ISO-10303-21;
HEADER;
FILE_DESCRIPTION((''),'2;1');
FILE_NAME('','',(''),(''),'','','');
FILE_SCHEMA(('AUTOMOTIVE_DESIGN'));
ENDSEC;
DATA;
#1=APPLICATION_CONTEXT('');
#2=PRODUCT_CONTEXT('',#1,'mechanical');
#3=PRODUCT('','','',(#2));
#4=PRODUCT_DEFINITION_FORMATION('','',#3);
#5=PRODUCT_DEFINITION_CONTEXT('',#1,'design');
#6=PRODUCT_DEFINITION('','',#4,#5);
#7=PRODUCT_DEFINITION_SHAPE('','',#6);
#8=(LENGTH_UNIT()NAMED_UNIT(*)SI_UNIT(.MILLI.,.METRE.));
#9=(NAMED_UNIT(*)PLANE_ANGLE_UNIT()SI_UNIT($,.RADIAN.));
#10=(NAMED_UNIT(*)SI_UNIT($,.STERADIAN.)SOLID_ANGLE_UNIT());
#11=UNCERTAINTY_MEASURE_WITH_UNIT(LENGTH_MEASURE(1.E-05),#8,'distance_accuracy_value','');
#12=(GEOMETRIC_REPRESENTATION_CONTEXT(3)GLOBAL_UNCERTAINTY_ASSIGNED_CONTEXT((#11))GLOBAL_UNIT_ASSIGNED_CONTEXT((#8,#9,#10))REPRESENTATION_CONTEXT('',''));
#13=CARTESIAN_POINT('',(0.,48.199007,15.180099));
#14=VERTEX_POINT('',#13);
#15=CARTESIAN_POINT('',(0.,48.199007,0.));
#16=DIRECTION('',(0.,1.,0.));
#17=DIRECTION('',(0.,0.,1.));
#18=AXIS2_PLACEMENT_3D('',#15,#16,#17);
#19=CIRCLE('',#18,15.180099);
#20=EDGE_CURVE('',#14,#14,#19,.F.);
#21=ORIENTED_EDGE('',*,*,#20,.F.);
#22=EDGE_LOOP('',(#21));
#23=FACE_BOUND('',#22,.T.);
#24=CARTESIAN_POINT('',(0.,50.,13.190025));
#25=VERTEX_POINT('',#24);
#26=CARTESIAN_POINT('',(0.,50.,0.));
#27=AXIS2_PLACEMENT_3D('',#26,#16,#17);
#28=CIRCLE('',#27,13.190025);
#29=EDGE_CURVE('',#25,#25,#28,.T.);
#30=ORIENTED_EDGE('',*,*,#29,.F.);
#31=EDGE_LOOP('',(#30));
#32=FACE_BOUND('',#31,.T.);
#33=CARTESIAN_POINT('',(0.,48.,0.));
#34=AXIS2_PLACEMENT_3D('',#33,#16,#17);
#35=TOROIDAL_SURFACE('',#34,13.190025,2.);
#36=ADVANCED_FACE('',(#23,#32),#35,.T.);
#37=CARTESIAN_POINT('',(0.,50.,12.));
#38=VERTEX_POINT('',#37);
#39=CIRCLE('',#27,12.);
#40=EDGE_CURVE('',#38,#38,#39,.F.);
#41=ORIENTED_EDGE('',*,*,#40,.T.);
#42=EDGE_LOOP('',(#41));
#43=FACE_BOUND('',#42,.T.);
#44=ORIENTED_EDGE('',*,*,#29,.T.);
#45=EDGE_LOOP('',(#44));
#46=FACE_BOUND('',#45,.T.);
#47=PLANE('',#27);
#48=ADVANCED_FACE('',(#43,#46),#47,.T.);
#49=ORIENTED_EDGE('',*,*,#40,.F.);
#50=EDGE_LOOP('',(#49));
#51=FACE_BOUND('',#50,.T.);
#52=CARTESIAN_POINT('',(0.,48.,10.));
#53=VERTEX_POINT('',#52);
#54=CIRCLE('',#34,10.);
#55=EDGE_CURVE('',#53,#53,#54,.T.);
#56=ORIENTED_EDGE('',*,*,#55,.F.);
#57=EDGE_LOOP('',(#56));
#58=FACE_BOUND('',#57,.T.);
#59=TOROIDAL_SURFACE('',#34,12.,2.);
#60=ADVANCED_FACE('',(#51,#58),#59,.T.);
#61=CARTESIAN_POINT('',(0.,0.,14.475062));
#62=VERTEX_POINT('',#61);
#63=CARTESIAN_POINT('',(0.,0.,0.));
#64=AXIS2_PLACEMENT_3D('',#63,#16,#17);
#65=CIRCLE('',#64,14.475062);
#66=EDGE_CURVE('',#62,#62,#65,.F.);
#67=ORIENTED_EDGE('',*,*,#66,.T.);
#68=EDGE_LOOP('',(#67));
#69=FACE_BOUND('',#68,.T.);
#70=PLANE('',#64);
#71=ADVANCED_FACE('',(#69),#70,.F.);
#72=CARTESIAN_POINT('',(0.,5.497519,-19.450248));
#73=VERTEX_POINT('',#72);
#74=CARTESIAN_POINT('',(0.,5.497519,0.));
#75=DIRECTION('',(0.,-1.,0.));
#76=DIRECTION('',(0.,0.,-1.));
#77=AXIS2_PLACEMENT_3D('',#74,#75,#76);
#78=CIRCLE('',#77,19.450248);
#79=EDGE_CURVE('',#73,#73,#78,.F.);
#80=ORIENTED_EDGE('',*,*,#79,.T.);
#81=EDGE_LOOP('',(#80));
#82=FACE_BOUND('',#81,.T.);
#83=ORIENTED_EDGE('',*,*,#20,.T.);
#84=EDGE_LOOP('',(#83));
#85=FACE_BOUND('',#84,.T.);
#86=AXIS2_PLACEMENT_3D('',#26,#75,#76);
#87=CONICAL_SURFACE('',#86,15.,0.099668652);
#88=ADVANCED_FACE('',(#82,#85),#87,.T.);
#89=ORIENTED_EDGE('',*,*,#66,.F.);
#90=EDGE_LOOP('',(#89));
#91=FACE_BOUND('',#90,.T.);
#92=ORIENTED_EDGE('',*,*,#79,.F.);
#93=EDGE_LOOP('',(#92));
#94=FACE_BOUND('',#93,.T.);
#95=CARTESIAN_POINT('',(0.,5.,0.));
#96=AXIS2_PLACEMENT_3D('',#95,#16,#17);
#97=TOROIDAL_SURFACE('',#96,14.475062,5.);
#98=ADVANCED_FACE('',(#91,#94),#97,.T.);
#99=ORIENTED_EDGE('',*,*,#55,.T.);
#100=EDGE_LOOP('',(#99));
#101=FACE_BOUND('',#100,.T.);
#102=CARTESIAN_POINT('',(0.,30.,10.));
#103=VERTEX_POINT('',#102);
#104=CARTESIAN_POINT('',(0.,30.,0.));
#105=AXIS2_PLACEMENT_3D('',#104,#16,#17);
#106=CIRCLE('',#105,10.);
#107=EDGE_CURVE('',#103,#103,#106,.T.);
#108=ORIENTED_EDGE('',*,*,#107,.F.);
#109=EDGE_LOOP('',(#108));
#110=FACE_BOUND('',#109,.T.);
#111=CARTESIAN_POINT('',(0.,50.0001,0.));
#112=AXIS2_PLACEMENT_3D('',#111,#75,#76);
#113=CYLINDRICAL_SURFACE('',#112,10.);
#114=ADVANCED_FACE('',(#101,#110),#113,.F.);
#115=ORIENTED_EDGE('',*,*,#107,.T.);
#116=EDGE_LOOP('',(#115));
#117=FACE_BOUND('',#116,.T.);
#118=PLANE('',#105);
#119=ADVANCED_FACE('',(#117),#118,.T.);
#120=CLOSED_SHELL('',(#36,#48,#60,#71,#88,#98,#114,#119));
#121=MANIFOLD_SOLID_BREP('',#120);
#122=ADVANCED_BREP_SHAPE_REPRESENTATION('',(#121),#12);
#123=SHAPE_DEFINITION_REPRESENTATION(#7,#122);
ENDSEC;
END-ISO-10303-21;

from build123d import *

# Parameters (mm, degrees)
SKETCH2_R               = 15
SKETCH1_R               = 20
CUT_EXTRUDE1_DEPTH      = 58.445626622
CUT_EXTRUDE1_DEPTH_BACK = 20
SKETCH3_R               = 10
FILLET1_R               = 5
FILLET2_R               = 2


with BuildPart() as part:
    # Sketch2 → Loft1 section 0
    with BuildSketch(Plane(origin=(0, 50, 0), x_dir=(1, 0, 0), z_dir=(0, 1, 0))):
        Circle(SKETCH2_R)
    # Sketch1 → Loft1 section 1
    with BuildSketch(Plane(origin=(0, 0, 0), x_dir=(1, 0, 0), z_dir=(0, 1, 0))):
        Circle(SKETCH1_R)
    loft()

    # Sketch3 → Cut-Extrude1 (cut, two sides: drawn at the far end of the back side and taken through both)
    with BuildSketch(Plane(origin=(0, 50, 0), x_dir=(1, 0, 0), z_dir=(0, 1, 0)).offset(-CUT_EXTRUDE1_DEPTH_BACK)):
        with Locations(Location((0, 0, 0), (0, 0, 270))):
            Circle(SKETCH3_R)
    extrude(amount=CUT_EXTRUDE1_DEPTH + CUT_EXTRUDE1_DEPTH_BACK, mode=Mode.SUBTRACT)

    # Fillet1
    fillet1_edges = [part.edges().sort_by_distance(p)[0] for p in [
        (-20, 0, 0),
    ]]
    fillet(fillet1_edges, radius=FILLET1_R)

    # Fillet2
    fillet2_edges = [part.edges().sort_by_distance(p)[0] for p in [
        (-15, 50, 0),
        (0, 50, -10),
    ]]
    fillet(fillet2_edges, radius=FILLET2_R)


solid = part.part
